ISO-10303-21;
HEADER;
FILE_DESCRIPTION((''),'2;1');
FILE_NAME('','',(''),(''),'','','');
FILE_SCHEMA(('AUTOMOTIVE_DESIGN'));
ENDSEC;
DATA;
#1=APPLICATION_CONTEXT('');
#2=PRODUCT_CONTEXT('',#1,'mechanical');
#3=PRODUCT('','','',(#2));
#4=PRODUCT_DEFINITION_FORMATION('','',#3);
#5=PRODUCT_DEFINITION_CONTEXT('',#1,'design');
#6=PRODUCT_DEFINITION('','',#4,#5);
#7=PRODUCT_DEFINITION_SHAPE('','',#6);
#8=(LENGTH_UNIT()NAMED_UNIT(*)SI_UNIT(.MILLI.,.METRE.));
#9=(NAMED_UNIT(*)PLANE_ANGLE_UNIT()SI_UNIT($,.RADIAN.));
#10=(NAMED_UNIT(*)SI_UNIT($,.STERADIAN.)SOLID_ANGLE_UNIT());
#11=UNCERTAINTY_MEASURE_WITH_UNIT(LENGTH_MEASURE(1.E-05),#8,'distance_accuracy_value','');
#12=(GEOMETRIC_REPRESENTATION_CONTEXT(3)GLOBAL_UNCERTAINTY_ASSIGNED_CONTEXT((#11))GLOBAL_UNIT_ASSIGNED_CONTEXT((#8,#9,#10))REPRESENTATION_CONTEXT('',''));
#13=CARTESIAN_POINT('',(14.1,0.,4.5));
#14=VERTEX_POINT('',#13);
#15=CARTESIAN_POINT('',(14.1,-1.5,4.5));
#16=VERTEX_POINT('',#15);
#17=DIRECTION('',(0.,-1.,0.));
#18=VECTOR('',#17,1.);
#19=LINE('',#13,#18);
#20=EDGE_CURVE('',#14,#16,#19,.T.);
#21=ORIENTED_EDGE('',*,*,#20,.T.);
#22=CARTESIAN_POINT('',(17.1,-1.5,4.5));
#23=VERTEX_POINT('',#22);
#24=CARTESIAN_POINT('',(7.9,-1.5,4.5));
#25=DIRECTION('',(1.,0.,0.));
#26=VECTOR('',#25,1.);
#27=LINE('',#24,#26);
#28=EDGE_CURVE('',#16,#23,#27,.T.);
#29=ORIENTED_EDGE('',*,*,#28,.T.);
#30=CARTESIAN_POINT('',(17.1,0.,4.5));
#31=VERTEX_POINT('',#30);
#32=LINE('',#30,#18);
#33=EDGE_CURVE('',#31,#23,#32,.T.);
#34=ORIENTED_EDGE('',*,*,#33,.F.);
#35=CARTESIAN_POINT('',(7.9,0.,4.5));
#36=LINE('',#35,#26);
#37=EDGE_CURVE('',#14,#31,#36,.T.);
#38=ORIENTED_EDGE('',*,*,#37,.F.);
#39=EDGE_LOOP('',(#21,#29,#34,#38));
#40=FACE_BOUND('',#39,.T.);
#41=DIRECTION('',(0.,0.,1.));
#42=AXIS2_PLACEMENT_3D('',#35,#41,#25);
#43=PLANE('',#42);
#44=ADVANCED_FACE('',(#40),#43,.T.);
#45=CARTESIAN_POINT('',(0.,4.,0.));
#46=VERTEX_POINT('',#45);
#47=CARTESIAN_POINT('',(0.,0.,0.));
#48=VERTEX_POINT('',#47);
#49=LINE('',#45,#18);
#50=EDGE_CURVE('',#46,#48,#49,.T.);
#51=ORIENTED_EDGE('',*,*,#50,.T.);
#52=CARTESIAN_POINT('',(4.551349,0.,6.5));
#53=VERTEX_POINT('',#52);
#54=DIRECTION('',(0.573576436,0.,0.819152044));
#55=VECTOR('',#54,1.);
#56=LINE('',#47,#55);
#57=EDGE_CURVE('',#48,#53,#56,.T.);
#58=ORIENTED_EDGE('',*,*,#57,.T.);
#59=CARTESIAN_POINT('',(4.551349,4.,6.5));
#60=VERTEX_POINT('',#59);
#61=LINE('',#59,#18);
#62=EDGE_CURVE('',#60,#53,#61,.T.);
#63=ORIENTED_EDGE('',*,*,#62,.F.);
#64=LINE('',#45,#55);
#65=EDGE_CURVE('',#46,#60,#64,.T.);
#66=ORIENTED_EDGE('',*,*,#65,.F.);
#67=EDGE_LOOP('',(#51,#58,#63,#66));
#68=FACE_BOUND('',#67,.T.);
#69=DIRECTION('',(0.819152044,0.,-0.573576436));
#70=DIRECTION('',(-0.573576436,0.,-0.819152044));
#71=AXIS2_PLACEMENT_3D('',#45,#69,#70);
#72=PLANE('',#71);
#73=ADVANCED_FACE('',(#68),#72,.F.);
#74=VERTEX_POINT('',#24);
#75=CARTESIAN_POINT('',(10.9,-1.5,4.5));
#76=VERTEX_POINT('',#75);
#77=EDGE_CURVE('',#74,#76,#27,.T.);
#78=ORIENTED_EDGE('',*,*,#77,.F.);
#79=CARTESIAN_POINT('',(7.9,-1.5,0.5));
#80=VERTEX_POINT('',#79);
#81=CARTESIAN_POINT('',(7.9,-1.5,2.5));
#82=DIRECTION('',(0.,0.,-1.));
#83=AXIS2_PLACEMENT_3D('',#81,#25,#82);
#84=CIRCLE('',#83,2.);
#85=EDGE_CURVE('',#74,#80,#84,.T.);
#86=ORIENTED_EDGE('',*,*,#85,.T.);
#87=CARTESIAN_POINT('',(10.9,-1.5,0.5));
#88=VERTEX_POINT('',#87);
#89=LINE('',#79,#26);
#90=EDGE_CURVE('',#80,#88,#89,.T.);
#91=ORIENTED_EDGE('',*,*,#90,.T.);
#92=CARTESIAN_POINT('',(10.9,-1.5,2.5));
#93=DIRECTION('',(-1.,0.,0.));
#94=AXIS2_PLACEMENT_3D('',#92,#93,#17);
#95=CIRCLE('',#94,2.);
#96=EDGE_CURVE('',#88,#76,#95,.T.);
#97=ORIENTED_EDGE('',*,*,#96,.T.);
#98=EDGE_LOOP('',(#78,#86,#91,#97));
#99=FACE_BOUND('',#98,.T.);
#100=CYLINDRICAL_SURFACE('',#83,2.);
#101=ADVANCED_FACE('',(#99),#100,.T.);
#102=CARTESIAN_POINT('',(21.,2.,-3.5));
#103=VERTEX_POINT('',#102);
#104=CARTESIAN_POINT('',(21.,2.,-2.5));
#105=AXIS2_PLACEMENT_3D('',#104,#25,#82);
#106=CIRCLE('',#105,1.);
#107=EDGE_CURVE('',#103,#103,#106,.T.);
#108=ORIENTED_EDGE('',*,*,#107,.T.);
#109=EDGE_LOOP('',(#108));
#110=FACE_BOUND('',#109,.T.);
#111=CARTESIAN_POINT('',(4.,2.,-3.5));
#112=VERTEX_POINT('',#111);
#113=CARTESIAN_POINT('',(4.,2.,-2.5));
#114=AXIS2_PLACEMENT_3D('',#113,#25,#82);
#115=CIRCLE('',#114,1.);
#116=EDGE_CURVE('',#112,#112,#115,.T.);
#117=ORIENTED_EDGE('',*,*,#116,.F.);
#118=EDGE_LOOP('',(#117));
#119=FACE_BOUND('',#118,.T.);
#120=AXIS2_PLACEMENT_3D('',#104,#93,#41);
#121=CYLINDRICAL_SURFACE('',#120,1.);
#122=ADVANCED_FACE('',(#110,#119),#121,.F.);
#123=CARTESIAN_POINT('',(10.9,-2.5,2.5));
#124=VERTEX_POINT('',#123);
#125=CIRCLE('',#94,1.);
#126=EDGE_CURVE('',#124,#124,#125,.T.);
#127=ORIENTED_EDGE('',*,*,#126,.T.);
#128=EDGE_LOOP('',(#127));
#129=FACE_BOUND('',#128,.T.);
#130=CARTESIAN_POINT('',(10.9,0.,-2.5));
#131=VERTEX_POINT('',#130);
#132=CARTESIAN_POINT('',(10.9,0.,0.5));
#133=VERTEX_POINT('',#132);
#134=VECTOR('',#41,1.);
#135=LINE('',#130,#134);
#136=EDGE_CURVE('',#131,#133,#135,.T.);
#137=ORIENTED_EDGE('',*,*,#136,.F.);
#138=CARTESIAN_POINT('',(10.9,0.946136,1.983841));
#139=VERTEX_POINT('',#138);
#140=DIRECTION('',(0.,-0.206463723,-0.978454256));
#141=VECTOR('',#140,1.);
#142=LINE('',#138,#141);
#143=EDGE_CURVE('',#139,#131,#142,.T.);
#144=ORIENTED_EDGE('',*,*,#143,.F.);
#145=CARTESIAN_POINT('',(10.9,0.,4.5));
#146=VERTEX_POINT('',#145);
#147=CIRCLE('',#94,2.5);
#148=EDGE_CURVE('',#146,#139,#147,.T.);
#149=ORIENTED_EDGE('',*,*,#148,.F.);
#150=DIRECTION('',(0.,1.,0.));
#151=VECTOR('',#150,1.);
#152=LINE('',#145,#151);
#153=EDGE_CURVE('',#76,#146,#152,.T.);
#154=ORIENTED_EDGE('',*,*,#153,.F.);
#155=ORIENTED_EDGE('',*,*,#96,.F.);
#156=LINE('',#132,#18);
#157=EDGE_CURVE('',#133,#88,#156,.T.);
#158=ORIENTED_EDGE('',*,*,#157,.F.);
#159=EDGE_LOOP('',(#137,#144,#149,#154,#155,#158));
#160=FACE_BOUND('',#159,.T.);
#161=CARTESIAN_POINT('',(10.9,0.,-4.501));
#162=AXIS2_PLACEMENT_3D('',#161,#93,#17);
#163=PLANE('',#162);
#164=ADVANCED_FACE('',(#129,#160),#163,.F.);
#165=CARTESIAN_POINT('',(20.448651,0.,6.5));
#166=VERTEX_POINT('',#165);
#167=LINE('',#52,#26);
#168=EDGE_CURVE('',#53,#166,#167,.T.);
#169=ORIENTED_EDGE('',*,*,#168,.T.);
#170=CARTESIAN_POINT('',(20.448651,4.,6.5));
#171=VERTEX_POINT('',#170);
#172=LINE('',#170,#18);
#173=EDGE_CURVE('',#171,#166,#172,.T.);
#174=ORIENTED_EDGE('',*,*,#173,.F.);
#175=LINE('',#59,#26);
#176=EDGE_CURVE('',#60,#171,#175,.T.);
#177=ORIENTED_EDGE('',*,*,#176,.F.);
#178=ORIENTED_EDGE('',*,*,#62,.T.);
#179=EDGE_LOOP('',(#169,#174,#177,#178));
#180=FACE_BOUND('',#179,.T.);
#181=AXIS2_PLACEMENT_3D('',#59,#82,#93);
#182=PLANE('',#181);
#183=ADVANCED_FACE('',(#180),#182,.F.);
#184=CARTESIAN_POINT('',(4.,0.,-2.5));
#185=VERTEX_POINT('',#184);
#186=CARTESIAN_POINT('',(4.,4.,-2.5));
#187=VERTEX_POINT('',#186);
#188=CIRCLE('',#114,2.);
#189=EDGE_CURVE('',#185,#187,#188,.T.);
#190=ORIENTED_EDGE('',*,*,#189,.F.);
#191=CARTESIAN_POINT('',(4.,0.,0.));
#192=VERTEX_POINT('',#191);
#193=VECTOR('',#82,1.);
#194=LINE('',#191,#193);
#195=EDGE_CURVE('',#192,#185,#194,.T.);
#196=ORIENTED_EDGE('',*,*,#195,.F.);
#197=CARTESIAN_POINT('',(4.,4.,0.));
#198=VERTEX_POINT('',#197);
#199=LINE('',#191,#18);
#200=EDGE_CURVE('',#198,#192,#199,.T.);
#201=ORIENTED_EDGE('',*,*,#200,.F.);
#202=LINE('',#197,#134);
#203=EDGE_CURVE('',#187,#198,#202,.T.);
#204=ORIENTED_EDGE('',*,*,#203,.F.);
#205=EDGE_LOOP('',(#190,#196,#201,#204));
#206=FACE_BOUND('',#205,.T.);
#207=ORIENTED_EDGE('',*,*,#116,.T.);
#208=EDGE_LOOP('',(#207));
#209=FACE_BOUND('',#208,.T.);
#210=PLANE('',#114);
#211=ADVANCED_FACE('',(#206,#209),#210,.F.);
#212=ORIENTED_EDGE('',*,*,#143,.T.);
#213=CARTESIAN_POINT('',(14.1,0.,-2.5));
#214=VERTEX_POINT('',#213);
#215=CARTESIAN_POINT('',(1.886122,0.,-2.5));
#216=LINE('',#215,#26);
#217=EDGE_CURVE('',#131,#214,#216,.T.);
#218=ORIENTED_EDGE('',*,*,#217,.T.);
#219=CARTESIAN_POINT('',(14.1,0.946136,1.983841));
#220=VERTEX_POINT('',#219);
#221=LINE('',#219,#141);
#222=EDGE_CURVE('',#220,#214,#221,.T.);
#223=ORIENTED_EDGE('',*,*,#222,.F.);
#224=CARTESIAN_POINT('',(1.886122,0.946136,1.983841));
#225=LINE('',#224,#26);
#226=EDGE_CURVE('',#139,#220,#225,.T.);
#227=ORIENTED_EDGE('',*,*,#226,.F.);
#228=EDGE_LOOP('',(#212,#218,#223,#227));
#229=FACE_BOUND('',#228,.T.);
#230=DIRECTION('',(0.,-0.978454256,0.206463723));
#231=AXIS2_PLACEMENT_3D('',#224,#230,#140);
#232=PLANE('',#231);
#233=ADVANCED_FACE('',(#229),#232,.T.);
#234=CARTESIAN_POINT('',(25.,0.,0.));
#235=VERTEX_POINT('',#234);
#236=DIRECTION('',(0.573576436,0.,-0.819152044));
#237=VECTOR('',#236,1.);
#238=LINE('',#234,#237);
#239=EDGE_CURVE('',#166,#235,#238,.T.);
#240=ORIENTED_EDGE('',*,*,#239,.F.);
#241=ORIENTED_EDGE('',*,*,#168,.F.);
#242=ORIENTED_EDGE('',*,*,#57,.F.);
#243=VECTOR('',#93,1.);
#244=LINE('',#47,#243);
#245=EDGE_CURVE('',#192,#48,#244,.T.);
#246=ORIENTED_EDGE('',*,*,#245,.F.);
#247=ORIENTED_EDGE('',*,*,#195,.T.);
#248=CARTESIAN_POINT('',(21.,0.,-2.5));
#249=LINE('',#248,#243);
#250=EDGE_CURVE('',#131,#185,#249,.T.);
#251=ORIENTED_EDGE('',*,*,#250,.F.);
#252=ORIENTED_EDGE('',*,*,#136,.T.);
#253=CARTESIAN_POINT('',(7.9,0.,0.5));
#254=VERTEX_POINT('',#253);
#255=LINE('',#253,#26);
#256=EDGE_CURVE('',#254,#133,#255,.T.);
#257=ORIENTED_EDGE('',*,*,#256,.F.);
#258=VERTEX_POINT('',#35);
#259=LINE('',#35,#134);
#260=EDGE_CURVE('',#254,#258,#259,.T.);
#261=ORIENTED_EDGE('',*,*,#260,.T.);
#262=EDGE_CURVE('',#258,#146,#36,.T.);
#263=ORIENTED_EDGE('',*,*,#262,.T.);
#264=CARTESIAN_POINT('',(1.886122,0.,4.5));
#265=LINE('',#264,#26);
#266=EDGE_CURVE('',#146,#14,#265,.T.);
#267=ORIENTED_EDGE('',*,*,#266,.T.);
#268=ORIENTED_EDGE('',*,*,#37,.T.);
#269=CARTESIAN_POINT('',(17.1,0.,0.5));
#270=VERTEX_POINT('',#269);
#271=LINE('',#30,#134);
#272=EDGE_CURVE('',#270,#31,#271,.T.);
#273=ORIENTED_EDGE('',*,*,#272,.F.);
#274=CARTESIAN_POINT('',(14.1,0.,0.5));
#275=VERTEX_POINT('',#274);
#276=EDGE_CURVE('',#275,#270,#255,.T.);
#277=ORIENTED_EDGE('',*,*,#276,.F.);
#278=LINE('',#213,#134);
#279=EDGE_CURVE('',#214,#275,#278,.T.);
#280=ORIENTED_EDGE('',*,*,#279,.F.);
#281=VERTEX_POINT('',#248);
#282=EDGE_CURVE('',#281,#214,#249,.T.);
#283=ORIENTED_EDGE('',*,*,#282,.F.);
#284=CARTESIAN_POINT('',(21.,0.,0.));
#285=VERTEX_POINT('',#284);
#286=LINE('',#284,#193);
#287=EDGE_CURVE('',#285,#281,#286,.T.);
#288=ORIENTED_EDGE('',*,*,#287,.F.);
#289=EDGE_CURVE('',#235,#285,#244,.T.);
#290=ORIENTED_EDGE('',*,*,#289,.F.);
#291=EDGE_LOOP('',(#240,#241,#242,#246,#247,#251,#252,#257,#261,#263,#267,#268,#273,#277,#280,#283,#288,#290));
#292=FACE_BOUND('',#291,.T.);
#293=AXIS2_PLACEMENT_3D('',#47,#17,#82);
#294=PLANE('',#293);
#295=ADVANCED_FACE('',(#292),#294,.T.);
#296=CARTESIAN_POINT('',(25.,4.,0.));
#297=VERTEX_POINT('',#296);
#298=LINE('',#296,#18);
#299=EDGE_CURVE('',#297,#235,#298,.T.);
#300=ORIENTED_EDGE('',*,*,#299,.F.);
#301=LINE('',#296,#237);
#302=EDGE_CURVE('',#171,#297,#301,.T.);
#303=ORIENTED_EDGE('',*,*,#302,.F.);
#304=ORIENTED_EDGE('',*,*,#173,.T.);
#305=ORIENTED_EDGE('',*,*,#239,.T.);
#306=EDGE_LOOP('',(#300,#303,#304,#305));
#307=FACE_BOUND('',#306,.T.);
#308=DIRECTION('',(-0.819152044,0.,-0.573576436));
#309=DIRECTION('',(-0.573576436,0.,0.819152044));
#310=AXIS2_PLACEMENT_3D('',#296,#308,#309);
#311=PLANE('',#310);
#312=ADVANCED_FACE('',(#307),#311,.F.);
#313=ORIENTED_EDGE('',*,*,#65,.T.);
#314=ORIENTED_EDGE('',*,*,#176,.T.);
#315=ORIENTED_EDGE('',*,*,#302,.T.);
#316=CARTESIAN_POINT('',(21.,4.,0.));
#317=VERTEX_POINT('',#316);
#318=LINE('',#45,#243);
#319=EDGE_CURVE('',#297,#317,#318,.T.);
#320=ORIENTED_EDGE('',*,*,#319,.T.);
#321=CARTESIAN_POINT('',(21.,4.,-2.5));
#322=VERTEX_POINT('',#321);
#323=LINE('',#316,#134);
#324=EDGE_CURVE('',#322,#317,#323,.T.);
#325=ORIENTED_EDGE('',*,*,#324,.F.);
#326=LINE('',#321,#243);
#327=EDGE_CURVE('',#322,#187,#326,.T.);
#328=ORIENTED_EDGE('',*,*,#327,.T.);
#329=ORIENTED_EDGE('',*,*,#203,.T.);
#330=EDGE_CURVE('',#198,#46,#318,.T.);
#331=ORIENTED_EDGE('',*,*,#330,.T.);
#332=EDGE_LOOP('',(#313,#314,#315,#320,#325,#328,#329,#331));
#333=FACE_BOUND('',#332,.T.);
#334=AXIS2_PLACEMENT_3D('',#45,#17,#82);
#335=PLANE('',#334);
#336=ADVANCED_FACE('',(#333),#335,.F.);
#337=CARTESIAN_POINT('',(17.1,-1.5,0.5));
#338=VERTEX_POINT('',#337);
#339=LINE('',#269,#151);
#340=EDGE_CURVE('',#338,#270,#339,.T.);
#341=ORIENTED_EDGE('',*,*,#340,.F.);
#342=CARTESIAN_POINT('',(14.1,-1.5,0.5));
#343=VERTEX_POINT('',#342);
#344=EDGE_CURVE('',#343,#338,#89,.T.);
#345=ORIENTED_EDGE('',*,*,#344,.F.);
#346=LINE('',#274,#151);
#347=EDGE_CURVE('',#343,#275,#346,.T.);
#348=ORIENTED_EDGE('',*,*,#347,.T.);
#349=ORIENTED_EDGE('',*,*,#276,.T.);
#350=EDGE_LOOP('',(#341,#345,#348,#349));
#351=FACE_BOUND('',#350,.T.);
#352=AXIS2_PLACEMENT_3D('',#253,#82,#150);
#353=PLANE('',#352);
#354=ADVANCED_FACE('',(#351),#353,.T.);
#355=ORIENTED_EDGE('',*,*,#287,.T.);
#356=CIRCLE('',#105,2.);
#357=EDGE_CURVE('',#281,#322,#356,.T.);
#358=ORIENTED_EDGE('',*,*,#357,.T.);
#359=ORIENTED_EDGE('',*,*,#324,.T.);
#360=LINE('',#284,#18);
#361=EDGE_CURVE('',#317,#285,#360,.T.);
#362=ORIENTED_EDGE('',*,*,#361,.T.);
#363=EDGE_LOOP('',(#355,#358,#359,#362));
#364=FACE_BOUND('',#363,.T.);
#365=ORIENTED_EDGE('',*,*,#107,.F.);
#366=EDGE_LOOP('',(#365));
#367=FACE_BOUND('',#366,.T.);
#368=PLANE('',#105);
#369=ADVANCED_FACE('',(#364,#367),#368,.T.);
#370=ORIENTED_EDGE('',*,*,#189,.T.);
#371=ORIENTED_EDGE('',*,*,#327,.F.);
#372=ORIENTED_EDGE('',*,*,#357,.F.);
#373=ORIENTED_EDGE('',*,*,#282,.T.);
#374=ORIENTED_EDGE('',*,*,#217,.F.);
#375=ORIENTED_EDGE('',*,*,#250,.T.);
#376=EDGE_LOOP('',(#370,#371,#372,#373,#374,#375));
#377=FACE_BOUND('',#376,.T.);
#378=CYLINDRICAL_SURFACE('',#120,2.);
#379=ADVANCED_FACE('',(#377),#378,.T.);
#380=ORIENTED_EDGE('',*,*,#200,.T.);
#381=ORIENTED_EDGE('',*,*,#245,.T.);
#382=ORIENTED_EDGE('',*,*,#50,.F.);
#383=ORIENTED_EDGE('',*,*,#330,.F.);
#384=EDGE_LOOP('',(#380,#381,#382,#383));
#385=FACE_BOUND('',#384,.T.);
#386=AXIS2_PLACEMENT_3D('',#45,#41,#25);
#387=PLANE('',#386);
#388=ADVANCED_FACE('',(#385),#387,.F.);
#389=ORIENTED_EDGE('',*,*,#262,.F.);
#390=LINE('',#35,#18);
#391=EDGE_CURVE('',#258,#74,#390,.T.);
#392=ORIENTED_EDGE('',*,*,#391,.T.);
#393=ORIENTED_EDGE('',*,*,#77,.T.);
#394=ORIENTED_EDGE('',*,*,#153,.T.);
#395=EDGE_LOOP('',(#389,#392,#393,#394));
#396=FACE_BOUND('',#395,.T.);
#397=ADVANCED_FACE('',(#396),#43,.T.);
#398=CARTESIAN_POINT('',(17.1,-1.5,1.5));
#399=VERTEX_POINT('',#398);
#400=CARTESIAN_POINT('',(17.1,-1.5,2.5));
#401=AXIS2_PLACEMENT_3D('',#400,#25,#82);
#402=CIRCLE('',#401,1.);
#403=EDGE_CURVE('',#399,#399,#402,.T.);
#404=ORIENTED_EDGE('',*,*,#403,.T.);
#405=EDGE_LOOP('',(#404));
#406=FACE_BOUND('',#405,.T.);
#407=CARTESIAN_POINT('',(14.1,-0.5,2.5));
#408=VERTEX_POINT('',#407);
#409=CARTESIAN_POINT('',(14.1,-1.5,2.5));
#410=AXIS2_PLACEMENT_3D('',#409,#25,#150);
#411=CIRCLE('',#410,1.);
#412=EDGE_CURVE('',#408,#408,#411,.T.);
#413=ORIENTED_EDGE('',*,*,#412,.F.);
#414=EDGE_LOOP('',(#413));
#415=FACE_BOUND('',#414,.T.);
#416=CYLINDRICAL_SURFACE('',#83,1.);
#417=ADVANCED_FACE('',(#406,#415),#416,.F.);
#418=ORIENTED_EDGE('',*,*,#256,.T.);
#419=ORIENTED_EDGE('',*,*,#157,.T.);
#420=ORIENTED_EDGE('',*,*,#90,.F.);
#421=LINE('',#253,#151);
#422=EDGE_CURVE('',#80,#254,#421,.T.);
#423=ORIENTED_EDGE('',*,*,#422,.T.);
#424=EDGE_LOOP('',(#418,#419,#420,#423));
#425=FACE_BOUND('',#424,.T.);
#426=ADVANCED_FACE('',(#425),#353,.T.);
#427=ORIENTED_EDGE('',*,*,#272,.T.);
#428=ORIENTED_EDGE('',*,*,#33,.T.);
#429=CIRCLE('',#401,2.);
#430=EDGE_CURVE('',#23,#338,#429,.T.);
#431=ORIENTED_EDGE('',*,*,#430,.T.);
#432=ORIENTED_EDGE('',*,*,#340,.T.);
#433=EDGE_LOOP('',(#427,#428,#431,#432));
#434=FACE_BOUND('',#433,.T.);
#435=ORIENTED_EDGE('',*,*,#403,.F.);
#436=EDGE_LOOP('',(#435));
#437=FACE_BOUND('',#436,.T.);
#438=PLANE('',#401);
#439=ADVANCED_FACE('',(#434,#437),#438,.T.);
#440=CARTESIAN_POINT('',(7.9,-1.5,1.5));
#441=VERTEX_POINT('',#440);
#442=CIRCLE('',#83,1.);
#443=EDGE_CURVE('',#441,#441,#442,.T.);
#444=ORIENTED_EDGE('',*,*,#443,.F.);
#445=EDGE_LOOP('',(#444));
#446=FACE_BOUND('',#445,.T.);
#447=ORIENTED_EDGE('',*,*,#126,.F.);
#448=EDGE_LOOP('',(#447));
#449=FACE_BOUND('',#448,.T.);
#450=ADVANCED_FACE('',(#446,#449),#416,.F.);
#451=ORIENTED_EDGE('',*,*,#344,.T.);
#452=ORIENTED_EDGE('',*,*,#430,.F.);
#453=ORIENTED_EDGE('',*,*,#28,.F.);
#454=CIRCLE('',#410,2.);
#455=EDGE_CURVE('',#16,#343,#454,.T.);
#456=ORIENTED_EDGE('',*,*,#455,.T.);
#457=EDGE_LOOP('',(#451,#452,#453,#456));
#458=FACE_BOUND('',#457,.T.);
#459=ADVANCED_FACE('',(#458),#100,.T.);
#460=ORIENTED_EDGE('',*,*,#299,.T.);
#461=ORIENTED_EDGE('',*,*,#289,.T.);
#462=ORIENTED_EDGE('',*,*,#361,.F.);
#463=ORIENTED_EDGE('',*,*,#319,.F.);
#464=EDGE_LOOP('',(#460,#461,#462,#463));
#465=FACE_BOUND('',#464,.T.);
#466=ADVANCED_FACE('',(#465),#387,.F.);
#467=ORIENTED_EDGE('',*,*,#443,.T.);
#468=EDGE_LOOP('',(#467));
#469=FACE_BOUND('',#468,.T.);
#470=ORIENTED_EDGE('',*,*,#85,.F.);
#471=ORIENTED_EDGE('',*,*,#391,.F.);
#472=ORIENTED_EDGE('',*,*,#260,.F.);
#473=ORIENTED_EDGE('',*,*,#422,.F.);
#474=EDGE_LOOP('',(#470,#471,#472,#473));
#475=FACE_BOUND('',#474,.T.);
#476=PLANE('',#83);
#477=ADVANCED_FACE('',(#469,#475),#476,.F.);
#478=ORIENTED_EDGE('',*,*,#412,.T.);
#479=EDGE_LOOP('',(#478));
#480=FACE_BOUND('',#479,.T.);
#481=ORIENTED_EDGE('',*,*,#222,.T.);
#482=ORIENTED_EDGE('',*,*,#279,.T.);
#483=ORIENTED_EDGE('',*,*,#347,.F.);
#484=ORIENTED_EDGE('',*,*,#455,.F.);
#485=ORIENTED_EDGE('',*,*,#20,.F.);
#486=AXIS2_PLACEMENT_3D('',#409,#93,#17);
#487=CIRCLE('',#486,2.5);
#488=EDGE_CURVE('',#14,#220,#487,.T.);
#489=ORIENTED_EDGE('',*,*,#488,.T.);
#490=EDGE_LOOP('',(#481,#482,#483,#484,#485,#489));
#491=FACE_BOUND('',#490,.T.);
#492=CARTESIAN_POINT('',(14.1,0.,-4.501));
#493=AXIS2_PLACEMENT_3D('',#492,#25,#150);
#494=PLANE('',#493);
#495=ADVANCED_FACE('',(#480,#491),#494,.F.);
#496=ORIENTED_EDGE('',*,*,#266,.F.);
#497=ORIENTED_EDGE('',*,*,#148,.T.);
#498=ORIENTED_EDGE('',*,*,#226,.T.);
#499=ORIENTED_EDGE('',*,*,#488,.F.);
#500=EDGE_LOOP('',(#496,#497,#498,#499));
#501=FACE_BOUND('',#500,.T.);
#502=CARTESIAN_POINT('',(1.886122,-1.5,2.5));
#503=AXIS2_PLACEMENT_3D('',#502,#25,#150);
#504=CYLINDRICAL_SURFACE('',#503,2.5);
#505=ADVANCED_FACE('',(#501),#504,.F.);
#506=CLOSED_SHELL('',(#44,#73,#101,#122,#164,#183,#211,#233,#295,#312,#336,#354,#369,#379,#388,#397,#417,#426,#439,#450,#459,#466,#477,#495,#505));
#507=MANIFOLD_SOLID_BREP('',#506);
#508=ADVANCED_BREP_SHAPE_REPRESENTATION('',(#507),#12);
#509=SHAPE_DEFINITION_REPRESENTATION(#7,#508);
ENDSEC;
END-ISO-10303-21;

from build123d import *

# Parameters (mm, degrees)
BOSS_EXTRUDE1_DEPTH      = 4
BOSS_EXTRUDE2_START      = 4
SKETCH2_R                = 1
BOSS_EXTRUDE2_DEPTH      = 17
BOSS_EXTRUDE3_DEPTH      = 4.6
BOSS_EXTRUDE3_DEPTH_BACK = 4.6
BOSS_EXTRUDE3_START      = 12.5
SKETCH3_R                = 1
CUT_EXTRUDE1_REACH       = 29.604
SKETCH4_W                = 3.2
SKETCH4_H                = 3.5
CUT_EXTRUDE2_DEPTH       = 3.2


with BuildPart() as part:
    # Sketch1 → Boss-Extrude1 (new body)
    with BuildSketch(Plane(origin=(0, 0, 0), x_dir=(1, 0, 0), z_dir=(0, 1, 0))):
        Polygon((0, 0), (4.551348998, -6.5), (20.448651002, -6.5), (25, 0), align=None)
    extrude(amount=BOSS_EXTRUDE1_DEPTH)

    # Sketch2 → Boss-Extrude2 (add)
    with BuildSketch(Plane(origin=(0, 0, 0), x_dir=(0, 0, -1), z_dir=(1, 0, 0)).offset(BOSS_EXTRUDE2_START)):
        with BuildLine():
            Line((0, 0), (2.5, 0))
            ThreePointArc((2.5, 0), (4.5, 2), (2.5, 4))
            Line((2.5, 4), (0, 4))
            Line((0, 4), (0, 0))
        make_face()
        with Locations((2.5, 2)):
            Circle(SKETCH2_R, mode=Mode.SUBTRACT)
    extrude(amount=BOSS_EXTRUDE2_DEPTH)

    # Sketch3 → Boss-Extrude3 (add, two sides: drawn at the far end of the back side and taken through both)
    with BuildSketch(Plane(origin=(0, 0, 0), x_dir=(0, 0, -1), z_dir=(1, 0, 0)).offset(BOSS_EXTRUDE3_START - BOSS_EXTRUDE3_DEPTH_BACK)):
        with BuildLine():
            Line((-4.5, 0), (-0.5, 0))
            Line((-0.5, 0), (-0.5, -1.5))
            ThreePointArc((-0.5, -1.5), (-2.5, -3.5), (-4.5, -1.5))
            Line((-4.5, -1.5), (-4.5, 0))
        make_face()
        with Locations((-2.5, -1.5)):
            Circle(SKETCH3_R, mode=Mode.SUBTRACT)
    extrude(amount=BOSS_EXTRUDE3_DEPTH + BOSS_EXTRUDE3_DEPTH_BACK)

    # Sketch4 → Cut-Extrude1 (cut, up to next)
    with BuildSketch(Plane.XY.offset(6.5), mode=Mode.PRIVATE) as cut_extrude1_sk1:
        with Locations((12.5, -1.75)):
            Rectangle(SKETCH4_W, SKETCH4_H)
    cut_extrude1_tool1 = extrude(cut_extrude1_sk1.sketch, amount=-CUT_EXTRUDE1_REACH, mode=Mode.PRIVATE) & part.part
    add(cut_extrude1_tool1.solids().sort_by_distance((12.5, -1.75, 6.5))[0], mode=Mode.SUBTRACT)

    # Sketch5 → Cut-Extrude2 (cut)
    with BuildSketch(Plane.ZY.offset(-14.1)):
        with BuildLine():
            Line((1.983840692, 0.94613564), (-2.5, 0))
            Line((-2.5, 0), (0.5, 0))
            ThreePointArc((0.5, 0), (3.84408243, -3.607947443), (1.983840692, 0.94613564))
        make_face()
    extrude(amount=CUT_EXTRUDE2_DEPTH, mode=Mode.SUBTRACT)


solid = part.part
